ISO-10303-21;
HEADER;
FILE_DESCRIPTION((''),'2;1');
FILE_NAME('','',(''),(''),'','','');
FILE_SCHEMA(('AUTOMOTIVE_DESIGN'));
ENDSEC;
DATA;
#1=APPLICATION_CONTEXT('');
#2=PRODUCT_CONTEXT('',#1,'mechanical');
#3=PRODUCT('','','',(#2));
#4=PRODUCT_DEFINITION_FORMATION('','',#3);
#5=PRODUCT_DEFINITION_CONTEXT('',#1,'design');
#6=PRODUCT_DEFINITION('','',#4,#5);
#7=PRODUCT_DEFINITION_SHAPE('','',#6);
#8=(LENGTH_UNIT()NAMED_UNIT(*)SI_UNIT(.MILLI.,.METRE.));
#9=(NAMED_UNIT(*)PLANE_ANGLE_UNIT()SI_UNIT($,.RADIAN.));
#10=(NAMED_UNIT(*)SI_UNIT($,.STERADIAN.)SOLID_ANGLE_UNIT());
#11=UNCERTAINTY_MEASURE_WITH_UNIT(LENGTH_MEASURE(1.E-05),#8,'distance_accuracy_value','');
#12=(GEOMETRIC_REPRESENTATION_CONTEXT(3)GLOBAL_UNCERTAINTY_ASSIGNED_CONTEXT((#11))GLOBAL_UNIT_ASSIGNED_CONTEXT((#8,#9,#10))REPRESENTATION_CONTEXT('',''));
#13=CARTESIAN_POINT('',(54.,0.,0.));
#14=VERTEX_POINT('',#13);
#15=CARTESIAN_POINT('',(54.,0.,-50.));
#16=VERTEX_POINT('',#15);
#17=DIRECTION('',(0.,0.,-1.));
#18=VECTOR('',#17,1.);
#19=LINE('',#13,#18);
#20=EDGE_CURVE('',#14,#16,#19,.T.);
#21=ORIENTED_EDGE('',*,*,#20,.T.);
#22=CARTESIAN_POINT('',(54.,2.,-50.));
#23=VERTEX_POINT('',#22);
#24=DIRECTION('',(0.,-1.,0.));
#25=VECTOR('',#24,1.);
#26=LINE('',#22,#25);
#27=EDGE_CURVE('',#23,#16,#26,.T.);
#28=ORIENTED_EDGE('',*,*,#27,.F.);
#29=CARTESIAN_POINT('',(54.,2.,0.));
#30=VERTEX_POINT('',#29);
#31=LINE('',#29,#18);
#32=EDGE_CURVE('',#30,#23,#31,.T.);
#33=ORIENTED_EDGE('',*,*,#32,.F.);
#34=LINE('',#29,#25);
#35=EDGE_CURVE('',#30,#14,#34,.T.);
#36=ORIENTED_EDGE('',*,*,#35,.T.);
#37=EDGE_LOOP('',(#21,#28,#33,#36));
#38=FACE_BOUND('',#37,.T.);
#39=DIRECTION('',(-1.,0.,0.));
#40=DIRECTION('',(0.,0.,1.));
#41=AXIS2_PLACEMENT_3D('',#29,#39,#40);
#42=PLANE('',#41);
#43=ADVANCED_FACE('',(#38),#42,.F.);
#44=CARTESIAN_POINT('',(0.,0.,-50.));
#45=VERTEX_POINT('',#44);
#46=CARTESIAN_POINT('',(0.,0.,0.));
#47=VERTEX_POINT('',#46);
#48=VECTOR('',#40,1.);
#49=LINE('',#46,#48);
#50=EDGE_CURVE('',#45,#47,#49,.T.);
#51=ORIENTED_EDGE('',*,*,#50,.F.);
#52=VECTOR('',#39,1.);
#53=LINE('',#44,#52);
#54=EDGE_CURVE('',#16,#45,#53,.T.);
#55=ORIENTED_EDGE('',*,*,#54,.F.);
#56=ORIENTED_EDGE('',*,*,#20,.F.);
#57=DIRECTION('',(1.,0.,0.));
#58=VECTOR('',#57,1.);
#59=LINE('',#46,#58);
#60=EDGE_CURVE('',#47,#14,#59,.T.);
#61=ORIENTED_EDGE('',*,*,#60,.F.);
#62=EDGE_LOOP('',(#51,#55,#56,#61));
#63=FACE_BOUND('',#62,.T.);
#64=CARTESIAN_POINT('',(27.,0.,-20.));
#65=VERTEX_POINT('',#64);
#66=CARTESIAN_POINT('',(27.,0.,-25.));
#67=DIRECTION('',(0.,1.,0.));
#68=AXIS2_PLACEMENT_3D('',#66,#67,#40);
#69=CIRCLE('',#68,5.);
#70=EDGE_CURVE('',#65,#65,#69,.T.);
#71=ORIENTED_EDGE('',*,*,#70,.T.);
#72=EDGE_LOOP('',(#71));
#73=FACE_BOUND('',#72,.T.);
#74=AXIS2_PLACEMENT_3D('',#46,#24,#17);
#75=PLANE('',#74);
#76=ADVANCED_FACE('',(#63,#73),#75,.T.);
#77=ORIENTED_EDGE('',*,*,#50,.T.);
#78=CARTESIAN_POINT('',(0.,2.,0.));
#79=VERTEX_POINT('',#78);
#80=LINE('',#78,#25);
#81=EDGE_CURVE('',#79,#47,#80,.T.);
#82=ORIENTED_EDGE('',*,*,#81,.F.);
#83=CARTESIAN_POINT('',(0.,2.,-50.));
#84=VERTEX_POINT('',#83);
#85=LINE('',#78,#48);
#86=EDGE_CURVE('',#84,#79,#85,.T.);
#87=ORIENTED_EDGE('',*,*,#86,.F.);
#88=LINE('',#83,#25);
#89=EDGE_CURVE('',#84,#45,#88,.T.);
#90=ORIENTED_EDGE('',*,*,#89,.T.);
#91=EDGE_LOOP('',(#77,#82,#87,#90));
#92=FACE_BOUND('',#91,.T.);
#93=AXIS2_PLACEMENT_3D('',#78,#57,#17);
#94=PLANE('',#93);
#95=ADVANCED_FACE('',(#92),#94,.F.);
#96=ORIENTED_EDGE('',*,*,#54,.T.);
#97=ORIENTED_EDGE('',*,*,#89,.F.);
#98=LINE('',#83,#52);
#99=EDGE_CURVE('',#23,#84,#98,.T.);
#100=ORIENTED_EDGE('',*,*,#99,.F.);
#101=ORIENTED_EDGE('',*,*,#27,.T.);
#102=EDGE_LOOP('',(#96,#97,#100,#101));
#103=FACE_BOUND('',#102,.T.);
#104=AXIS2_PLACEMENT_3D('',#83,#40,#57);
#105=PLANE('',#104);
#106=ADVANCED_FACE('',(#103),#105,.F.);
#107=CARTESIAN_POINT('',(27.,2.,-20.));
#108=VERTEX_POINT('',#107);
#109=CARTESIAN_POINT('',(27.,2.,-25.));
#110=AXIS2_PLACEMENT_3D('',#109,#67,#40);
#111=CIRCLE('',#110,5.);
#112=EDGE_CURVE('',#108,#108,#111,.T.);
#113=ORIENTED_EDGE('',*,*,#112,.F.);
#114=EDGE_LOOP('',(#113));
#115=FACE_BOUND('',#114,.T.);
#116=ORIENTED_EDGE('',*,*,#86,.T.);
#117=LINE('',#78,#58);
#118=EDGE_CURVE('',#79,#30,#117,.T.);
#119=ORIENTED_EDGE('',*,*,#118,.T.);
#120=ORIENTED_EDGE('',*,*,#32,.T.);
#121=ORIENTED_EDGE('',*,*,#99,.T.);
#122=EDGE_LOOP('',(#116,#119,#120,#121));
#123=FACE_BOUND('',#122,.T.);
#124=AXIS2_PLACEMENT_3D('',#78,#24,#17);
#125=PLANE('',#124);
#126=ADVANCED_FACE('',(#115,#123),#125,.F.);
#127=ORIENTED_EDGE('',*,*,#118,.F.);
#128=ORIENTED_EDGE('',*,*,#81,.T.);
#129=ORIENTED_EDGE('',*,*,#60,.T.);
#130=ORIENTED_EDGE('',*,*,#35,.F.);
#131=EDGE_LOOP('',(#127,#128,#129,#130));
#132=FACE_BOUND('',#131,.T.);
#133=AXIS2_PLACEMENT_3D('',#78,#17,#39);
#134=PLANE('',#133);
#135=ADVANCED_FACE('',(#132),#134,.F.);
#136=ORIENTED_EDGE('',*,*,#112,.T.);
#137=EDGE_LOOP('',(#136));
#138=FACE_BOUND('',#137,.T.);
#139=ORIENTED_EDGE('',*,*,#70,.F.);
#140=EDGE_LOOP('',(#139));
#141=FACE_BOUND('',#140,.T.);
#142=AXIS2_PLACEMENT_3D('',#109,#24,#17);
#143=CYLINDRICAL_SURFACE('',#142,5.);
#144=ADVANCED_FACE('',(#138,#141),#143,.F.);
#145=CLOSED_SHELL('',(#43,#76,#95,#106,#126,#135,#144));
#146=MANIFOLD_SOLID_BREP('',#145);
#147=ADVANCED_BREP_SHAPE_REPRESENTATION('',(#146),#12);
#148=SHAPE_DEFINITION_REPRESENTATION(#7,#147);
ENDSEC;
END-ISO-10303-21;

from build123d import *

# Parameters (mm, degrees)
SKETCH1_W           = 54
SKETCH1_H           = 50
SKETCH1_R           = 5
BOSS_EXTRUDE1_DEPTH = 2


with BuildPart() as part:
    # Sketch1 → Boss-Extrude1 (new body)
    with BuildSketch(Plane(origin=(0, 0, 0), x_dir=(1, 0, 0), z_dir=(0, 1, 0))):
        with Locations((27, 25)):
            Rectangle(SKETCH1_W, SKETCH1_H)
        with Locations(Location((27, 25, 0), (0, 0, 270))):
            Circle(SKETCH1_R, mode=Mode.SUBTRACT)
    extrude(amount=BOSS_EXTRUDE1_DEPTH)


solid = part.part
